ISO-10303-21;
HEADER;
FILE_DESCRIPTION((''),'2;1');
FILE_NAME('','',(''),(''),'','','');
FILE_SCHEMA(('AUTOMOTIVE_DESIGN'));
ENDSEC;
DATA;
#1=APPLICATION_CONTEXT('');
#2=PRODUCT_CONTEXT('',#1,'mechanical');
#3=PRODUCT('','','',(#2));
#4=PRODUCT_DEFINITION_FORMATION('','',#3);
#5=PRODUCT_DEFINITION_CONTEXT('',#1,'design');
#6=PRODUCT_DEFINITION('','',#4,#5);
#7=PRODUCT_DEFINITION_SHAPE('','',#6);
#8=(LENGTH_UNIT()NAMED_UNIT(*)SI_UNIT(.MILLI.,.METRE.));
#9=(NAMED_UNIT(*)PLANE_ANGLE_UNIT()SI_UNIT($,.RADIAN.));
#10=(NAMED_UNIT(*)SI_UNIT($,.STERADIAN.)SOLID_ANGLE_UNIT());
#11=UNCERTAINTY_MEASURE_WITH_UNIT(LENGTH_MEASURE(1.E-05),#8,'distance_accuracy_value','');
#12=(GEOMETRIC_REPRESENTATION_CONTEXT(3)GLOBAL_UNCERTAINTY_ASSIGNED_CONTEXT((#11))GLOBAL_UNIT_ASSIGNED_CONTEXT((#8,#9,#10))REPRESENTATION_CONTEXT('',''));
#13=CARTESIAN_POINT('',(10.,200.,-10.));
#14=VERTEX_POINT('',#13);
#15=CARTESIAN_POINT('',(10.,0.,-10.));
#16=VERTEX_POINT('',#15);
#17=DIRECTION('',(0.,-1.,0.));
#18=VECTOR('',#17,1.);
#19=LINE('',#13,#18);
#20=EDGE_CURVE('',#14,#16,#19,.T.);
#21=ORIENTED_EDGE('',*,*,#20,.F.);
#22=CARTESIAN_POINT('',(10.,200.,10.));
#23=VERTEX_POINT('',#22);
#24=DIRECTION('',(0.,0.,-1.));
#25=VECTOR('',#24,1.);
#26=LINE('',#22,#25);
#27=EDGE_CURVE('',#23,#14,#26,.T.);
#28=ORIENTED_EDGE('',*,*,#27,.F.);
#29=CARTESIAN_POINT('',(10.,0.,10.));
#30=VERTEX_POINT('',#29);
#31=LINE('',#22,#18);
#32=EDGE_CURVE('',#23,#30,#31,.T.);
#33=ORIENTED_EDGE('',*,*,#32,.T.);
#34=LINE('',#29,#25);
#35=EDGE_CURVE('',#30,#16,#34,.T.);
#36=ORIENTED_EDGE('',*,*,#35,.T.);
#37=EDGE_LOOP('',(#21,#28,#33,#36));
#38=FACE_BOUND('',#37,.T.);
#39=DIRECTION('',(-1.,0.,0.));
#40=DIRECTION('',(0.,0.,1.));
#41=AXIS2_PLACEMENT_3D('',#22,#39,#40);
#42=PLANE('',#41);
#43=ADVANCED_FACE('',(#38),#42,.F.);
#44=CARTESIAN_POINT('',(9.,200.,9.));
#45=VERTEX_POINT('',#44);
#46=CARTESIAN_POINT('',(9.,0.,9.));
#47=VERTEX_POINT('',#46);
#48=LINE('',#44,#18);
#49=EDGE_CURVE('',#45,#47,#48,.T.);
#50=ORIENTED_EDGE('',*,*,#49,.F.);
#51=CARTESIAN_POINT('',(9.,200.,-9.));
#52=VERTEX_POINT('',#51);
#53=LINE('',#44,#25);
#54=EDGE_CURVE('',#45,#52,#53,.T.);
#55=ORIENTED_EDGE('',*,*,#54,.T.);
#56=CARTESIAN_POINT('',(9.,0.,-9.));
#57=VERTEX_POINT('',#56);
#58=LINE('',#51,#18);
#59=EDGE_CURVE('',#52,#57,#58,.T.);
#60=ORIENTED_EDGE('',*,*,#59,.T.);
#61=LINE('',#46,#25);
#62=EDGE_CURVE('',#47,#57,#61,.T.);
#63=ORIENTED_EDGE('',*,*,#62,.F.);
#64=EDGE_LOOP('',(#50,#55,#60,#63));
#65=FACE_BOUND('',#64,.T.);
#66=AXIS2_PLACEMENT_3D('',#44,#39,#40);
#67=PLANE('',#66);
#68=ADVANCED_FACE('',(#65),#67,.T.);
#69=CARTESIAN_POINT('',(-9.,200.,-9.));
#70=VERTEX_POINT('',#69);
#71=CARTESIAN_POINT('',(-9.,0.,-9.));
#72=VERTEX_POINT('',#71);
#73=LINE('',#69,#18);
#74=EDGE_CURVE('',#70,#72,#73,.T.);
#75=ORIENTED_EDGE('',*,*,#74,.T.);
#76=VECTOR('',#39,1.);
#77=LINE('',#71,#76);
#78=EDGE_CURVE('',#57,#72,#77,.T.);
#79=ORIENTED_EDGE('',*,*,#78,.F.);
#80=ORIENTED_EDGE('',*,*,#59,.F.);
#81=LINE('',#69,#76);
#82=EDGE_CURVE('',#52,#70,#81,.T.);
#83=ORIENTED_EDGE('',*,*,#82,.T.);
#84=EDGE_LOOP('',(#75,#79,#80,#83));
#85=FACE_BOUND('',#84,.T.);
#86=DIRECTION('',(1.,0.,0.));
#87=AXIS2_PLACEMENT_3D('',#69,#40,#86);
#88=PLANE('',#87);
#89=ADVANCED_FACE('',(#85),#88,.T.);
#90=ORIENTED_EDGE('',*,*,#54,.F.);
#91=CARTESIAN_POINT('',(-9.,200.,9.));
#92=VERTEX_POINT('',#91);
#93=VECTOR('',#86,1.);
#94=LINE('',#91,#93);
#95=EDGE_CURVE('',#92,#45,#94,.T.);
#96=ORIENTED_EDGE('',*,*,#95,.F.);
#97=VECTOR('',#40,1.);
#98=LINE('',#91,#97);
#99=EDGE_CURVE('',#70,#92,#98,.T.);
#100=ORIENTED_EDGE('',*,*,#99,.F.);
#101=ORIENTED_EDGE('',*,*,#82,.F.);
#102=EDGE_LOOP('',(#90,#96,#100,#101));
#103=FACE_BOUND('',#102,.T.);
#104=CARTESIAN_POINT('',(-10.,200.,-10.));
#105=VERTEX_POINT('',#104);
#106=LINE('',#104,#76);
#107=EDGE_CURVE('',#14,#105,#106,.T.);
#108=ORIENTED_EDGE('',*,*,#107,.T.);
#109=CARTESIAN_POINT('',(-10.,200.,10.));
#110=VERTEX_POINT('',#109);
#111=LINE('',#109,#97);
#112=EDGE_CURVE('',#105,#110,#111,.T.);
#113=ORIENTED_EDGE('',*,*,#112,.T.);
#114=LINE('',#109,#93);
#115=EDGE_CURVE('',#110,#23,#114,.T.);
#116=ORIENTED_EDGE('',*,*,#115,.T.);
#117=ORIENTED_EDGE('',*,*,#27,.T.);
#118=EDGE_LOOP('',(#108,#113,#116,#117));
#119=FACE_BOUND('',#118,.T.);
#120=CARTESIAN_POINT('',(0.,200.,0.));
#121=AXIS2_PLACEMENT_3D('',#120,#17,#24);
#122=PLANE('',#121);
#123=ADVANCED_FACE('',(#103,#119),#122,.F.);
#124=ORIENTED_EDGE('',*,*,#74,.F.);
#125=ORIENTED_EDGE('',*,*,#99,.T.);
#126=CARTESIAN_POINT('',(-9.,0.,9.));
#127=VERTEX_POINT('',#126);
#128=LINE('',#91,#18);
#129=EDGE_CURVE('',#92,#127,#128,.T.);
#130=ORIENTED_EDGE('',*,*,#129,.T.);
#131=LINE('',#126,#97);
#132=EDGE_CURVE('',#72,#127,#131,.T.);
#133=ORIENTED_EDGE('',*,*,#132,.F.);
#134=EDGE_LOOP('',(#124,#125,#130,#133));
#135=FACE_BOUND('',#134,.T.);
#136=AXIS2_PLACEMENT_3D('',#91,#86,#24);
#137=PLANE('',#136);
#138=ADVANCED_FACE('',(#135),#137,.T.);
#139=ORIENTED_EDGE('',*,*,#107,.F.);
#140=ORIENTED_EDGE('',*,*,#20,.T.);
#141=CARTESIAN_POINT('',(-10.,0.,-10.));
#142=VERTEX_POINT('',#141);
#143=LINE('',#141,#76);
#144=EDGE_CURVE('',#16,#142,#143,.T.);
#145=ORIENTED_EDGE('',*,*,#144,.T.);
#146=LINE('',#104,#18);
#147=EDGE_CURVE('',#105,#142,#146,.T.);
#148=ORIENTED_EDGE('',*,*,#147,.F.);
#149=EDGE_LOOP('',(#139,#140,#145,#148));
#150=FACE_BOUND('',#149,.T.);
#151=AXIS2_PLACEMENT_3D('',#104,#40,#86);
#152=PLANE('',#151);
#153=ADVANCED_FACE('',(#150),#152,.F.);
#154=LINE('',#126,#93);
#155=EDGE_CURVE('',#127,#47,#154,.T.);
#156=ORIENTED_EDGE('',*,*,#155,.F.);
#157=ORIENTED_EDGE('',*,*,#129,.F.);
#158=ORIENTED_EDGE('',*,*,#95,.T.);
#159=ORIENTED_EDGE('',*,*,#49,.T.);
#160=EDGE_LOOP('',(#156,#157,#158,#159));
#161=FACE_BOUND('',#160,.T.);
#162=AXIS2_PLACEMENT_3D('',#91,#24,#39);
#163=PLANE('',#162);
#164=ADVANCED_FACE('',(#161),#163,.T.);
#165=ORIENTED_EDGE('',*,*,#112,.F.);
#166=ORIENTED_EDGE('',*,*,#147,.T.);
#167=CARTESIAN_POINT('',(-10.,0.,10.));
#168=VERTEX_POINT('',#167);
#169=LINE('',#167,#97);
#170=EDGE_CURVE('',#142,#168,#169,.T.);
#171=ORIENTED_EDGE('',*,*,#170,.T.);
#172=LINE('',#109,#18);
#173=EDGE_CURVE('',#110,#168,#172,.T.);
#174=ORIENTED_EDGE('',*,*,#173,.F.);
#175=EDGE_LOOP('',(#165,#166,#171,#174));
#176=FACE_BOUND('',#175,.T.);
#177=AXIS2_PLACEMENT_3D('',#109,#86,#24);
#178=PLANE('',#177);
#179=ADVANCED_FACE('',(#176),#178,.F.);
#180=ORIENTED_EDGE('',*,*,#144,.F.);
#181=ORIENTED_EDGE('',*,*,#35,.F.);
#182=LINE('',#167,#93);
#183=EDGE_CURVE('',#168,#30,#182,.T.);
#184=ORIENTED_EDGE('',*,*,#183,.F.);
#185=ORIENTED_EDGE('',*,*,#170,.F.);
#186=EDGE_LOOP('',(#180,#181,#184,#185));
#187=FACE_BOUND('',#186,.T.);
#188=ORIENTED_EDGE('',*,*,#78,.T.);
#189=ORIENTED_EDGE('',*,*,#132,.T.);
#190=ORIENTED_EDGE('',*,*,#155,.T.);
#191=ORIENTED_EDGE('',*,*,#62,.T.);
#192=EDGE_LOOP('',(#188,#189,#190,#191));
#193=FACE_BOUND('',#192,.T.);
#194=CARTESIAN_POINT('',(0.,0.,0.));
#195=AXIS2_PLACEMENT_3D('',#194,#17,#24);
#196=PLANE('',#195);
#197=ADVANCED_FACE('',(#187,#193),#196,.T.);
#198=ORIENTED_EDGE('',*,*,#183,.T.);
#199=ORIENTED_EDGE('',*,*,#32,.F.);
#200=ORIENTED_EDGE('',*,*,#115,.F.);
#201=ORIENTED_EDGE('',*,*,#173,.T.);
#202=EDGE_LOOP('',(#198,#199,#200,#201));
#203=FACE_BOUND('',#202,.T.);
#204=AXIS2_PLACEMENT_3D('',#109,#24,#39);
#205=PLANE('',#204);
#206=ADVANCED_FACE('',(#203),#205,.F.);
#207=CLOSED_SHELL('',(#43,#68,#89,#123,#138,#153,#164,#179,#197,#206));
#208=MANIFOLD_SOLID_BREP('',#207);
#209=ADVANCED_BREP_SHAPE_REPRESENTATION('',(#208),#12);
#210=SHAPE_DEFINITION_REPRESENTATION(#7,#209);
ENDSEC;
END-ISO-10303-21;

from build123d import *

# Parameters (mm, degrees)
SKETCH1_W           = 20
SKETCH1_H           = 20
SKETCH1_W_2         = 18
SKETCH1_H_2         = 18
BOSS_EXTRUDE1_DEPTH = 200


with BuildPart() as part:
    # Sketch1 → Boss-Extrude1 (new body)
    with BuildSketch(Plane(origin=(0, 0, 0), x_dir=(1, 0, 0), z_dir=(0, 1, 0))):
        Rectangle(SKETCH1_W, SKETCH1_H)
        Rectangle(SKETCH1_W_2, SKETCH1_H_2, mode=Mode.SUBTRACT)
    extrude(amount=BOSS_EXTRUDE1_DEPTH)


solid = part.part
